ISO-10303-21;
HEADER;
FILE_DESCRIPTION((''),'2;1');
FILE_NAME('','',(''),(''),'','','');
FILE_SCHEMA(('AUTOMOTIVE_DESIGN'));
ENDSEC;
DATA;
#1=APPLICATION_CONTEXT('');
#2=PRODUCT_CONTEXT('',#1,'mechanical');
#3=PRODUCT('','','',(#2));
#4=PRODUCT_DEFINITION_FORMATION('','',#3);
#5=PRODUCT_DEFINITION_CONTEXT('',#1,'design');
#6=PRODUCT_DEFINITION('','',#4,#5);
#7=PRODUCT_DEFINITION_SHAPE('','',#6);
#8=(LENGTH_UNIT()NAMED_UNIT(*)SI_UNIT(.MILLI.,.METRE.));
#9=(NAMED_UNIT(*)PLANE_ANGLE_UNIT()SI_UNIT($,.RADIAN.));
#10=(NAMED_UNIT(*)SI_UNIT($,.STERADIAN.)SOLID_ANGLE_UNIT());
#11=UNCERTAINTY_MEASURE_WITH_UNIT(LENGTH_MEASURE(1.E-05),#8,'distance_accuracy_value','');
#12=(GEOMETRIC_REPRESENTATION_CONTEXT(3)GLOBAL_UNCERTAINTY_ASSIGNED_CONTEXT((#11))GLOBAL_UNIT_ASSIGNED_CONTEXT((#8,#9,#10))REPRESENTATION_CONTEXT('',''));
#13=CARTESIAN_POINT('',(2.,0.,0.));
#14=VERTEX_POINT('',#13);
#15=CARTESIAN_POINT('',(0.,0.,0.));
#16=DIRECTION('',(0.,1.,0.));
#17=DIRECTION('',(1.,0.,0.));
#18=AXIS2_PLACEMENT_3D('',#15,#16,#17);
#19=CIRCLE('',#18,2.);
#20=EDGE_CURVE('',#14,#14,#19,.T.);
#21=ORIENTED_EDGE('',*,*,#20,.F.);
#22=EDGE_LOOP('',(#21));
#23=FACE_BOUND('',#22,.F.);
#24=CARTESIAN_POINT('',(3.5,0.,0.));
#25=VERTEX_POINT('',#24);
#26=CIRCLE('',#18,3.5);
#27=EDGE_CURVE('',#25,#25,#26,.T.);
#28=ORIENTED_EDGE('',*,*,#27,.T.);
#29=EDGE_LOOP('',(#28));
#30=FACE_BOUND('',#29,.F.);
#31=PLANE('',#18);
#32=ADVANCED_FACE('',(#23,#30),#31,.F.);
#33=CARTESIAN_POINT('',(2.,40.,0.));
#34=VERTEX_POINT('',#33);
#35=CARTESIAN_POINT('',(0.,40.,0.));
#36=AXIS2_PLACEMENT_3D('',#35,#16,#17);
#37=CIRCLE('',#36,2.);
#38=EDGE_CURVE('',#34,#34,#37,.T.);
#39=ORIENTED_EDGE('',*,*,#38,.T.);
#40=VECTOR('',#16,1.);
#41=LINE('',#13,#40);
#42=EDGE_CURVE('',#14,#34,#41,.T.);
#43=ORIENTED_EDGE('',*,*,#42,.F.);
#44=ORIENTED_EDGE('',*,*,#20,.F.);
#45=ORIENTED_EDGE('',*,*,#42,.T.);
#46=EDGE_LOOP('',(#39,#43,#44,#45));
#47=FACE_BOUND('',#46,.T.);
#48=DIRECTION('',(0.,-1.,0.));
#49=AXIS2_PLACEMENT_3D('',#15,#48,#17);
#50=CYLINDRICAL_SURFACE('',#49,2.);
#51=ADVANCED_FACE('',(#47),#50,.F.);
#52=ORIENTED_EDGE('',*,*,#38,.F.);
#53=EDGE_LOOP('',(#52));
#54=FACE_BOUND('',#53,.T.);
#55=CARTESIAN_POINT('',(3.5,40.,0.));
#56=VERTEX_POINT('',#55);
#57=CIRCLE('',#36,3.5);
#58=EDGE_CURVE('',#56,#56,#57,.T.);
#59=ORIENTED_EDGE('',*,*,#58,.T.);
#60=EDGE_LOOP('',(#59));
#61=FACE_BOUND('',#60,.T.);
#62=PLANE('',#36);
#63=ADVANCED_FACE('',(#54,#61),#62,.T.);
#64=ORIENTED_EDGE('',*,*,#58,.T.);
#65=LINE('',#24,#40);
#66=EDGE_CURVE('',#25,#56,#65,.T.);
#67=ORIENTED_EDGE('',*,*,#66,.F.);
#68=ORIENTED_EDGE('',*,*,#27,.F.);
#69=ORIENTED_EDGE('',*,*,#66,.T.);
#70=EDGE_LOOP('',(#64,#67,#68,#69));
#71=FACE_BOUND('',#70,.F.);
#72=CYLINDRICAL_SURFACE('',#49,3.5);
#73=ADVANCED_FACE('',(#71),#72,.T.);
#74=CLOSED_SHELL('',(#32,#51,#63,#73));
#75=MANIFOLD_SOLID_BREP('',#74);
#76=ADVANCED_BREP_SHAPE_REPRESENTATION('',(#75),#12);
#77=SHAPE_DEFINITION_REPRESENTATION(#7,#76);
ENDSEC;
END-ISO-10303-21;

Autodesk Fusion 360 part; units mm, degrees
sketch "Sketch1" plane through (0, 0, 0) normal (0, 1, 0) x (1, 0, 0)
  circle A0 centre (0, 0) radius 3.5
  circle A1 centre (0, 0) radius 2
  dimension "d1" = 7
  dimension "d2" = 4
extrude "Extrude1" add sketch "Sketch1" along normal blind 40
